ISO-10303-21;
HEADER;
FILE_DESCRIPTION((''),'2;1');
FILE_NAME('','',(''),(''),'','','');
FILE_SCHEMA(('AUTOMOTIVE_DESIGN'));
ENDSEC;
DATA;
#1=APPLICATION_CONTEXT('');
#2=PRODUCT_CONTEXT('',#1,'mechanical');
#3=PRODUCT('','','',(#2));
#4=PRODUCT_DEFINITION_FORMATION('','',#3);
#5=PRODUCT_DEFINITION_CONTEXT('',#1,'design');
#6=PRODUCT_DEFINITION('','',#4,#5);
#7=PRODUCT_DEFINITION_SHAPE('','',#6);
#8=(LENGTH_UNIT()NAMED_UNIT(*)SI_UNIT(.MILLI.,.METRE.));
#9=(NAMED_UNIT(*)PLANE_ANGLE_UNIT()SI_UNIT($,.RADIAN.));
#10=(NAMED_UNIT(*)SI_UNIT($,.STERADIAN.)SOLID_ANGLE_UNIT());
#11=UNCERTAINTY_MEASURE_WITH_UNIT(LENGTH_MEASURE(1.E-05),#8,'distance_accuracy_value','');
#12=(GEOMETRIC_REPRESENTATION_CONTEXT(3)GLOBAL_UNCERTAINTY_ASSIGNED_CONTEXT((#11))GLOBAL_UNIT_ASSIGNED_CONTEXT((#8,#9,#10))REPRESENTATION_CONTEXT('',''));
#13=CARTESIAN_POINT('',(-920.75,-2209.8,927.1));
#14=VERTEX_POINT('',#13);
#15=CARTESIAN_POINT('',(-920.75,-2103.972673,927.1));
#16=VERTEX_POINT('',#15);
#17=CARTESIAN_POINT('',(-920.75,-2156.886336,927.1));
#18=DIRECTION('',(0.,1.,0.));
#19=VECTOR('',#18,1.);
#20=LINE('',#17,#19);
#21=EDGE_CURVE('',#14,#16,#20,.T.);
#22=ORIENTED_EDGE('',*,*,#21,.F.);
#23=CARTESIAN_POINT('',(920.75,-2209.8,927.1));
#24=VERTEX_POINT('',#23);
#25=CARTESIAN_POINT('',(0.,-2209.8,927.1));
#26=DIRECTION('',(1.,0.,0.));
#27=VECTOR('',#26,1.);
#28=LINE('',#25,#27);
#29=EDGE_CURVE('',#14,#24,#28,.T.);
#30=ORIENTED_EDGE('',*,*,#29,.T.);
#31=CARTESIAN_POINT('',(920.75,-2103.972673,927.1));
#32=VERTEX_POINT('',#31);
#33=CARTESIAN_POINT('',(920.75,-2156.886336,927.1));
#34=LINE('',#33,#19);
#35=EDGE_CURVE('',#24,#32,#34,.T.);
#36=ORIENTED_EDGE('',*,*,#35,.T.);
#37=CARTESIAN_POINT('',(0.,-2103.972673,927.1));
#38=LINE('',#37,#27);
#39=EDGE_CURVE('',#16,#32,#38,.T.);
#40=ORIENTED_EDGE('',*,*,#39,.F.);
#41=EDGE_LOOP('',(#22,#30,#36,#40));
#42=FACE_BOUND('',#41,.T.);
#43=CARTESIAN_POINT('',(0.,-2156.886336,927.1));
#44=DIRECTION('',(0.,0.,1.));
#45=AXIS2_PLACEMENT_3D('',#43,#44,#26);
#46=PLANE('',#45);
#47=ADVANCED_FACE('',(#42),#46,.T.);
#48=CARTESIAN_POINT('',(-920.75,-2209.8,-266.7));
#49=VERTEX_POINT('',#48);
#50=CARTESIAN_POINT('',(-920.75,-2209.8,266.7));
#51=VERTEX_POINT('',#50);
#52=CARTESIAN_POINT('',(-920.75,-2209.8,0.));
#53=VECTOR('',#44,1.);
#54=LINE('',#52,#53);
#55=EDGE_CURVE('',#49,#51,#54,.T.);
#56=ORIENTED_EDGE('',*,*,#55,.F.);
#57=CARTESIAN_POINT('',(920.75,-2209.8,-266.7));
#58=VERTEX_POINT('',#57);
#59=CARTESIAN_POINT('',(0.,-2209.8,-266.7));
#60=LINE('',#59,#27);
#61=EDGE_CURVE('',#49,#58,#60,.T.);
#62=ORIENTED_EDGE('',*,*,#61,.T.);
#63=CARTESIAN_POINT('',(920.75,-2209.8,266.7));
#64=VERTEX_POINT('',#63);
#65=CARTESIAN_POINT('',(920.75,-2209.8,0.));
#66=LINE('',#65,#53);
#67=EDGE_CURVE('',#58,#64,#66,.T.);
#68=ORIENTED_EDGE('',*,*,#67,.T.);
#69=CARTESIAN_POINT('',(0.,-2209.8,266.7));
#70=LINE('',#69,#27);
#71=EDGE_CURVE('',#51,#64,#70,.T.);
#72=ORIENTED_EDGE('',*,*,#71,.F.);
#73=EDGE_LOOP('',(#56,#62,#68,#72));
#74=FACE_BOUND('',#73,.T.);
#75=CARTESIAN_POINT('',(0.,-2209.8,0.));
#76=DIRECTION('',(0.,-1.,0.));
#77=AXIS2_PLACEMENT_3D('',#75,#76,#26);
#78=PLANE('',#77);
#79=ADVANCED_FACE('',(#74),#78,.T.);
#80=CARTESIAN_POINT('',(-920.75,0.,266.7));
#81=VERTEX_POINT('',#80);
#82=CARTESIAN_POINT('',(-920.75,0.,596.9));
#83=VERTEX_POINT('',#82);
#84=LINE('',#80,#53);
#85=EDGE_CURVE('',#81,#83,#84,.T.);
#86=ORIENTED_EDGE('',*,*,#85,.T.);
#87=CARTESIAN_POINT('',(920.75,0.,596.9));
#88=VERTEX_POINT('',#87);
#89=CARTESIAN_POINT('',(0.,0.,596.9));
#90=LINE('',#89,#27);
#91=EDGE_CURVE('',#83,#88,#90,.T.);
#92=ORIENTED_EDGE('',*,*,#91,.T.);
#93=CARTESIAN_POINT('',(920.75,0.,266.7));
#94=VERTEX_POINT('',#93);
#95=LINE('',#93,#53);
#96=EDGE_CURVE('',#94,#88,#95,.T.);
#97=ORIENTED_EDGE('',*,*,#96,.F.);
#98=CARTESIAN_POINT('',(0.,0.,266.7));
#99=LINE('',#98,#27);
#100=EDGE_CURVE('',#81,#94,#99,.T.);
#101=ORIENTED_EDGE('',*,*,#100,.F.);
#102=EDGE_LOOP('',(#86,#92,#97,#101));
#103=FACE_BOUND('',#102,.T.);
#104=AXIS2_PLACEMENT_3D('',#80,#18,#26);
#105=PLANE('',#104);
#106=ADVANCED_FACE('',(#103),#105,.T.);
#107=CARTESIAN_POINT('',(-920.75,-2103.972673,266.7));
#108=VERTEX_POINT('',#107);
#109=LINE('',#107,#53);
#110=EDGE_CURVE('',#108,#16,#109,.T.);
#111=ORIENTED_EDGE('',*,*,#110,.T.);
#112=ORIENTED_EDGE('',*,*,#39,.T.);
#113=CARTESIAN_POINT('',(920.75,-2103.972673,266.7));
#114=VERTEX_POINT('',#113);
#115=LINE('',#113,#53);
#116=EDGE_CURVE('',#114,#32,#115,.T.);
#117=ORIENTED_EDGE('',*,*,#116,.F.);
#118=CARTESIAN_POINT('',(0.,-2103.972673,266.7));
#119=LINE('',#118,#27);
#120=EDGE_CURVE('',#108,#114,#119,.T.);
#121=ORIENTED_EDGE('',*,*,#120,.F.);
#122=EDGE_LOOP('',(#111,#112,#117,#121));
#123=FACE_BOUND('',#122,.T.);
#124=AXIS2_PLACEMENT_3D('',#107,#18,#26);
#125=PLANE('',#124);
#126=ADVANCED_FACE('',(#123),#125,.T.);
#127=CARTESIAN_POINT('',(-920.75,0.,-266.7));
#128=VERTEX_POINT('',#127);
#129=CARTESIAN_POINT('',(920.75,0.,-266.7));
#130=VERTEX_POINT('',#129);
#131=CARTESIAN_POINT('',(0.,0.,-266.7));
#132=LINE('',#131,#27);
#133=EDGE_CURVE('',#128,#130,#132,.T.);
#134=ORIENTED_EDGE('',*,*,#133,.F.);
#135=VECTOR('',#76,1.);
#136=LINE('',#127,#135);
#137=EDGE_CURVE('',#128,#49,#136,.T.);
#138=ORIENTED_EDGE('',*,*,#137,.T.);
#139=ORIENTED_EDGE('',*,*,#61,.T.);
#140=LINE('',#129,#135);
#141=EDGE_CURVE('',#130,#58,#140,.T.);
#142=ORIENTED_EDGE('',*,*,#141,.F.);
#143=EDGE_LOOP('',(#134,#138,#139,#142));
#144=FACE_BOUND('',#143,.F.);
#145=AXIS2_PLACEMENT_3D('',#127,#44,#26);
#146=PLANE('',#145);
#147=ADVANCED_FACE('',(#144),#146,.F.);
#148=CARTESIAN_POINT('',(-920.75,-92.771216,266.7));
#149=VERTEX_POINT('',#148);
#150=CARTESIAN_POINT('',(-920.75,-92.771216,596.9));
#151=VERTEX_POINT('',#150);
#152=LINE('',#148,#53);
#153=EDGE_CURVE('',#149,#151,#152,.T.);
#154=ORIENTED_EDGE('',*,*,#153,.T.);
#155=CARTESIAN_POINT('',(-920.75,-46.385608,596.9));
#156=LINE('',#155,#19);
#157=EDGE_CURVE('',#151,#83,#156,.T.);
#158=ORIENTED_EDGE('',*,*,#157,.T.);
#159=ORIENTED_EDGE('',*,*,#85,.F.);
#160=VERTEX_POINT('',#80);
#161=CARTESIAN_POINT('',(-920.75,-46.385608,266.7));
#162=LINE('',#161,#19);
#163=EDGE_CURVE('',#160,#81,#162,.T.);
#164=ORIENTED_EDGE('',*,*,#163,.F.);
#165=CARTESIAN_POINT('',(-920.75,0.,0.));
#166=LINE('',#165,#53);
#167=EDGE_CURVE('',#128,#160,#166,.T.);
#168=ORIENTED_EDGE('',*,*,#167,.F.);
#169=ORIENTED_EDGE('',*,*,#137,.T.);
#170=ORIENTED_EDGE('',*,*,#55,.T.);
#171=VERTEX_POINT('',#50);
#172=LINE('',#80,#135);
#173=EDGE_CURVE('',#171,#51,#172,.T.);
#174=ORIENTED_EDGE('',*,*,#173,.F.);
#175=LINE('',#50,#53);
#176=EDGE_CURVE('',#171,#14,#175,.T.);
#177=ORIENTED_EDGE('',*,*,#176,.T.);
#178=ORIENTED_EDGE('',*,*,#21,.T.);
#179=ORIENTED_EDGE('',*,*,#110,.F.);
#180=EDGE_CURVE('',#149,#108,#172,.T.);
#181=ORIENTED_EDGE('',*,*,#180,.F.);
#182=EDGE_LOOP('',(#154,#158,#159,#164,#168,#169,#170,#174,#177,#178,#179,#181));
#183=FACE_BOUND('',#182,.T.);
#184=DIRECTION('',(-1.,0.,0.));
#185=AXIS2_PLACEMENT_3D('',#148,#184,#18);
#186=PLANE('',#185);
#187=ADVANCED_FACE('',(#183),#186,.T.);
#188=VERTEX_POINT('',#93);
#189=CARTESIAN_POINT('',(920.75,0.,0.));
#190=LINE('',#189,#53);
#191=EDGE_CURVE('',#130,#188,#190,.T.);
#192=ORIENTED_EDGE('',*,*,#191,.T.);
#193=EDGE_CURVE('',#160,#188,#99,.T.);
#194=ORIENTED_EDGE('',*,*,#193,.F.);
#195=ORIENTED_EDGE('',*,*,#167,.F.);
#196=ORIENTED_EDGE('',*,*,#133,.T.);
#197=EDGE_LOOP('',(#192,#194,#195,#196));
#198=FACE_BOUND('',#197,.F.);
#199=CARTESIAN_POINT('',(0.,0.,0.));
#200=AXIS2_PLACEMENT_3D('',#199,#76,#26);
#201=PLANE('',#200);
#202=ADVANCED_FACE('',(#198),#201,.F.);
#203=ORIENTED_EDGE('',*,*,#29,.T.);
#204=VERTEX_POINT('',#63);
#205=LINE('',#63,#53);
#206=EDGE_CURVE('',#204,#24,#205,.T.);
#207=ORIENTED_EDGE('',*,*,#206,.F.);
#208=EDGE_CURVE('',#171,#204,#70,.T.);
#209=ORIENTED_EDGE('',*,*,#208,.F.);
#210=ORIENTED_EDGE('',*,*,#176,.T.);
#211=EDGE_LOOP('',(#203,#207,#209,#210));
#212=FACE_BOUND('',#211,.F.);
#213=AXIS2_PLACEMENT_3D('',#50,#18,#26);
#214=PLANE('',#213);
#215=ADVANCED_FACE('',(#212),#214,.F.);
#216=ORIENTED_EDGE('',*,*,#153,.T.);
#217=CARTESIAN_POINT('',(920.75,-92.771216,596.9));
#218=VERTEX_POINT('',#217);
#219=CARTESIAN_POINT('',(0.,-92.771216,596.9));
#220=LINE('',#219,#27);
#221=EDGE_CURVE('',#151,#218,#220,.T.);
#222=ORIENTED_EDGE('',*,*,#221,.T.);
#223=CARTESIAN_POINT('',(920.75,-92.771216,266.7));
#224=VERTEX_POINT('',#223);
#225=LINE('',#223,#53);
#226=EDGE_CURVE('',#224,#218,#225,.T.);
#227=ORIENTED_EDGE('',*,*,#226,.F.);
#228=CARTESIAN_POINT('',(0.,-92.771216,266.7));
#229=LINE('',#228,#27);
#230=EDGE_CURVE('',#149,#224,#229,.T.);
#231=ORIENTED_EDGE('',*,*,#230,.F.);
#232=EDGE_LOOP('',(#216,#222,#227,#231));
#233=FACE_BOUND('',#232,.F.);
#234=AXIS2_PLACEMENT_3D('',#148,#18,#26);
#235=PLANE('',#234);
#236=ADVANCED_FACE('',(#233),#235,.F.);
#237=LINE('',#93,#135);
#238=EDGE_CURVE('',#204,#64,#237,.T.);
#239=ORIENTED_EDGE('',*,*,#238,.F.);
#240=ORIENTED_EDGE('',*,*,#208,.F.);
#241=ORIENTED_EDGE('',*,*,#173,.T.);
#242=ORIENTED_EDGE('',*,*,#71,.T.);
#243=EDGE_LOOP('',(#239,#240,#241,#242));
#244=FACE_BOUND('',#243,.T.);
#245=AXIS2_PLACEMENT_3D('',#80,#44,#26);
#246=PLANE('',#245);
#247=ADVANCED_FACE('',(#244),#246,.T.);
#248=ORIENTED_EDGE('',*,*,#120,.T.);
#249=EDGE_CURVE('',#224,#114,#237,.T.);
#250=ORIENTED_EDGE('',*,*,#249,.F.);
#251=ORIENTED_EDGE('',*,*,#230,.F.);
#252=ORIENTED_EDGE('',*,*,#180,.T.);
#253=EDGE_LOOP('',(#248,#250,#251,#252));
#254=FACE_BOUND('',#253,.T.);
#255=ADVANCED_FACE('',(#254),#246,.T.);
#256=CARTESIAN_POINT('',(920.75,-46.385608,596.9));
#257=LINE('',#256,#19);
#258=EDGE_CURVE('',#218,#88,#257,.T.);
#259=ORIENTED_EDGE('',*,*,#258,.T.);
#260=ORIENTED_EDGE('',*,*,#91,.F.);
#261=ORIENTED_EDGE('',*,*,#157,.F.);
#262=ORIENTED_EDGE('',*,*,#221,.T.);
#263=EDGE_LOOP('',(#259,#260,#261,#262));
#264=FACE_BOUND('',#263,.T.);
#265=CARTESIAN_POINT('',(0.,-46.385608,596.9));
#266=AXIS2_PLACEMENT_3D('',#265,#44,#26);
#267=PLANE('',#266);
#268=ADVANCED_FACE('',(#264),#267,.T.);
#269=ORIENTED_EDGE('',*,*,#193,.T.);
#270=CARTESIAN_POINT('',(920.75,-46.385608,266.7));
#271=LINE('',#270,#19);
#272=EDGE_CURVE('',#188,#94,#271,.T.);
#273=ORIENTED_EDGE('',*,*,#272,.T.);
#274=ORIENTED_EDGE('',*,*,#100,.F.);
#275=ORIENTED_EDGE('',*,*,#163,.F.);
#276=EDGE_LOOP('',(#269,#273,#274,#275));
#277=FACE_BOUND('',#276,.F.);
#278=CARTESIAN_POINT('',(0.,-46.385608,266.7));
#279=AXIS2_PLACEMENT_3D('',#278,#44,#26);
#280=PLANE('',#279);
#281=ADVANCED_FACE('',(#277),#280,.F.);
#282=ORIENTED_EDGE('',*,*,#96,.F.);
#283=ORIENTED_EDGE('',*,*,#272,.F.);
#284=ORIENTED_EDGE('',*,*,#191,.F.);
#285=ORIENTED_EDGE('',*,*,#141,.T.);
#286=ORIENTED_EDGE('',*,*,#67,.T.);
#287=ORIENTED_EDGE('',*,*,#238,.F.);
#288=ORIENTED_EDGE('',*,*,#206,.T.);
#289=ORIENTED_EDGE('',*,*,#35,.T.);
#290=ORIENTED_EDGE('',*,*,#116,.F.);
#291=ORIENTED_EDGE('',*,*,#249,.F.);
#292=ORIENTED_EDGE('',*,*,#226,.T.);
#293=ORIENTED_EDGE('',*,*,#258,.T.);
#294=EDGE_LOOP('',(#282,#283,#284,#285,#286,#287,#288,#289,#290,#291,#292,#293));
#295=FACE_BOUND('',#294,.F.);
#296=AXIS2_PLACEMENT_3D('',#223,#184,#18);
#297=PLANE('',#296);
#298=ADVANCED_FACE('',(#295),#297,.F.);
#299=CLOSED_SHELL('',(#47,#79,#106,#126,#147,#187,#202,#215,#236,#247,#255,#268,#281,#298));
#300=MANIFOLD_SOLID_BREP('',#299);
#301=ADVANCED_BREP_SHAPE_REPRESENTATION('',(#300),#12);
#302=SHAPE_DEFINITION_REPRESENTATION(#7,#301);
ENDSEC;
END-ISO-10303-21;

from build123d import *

# Parameters (mm, degrees)
F0_W     = 1841.5
F0_H     = 533.4
F1_DEPTH = 2209.8
F2_W     = 1841.5
F2_H     = 105.827327
F3_DEPTH = 660.4
F4_W     = 1841.5
F4_H     = 92.771217
F5_DEPTH = 330.2


with BuildPart() as f1:
    # F0 (on Front) → F1 (new body)
    with BuildSketch(Plane.XZ):
        Rectangle(F0_W, F0_H)
    extrude(amount=F1_DEPTH)

    # F2 (on face) → F3 (join)
    with BuildSketch(Plane.XY.offset(266.7)):
        with Locations((0, -2156.886336)):
            Rectangle(F2_W, F2_H)
    extrude(amount=F3_DEPTH)

    # F4 (on face) → F5 (join)
    with BuildSketch(Plane.XY.offset(266.7)):
        with Locations((0, -46.385608)):
            Rectangle(F4_W, F4_H)
    extrude(amount=F5_DEPTH)


solid = f1.part
